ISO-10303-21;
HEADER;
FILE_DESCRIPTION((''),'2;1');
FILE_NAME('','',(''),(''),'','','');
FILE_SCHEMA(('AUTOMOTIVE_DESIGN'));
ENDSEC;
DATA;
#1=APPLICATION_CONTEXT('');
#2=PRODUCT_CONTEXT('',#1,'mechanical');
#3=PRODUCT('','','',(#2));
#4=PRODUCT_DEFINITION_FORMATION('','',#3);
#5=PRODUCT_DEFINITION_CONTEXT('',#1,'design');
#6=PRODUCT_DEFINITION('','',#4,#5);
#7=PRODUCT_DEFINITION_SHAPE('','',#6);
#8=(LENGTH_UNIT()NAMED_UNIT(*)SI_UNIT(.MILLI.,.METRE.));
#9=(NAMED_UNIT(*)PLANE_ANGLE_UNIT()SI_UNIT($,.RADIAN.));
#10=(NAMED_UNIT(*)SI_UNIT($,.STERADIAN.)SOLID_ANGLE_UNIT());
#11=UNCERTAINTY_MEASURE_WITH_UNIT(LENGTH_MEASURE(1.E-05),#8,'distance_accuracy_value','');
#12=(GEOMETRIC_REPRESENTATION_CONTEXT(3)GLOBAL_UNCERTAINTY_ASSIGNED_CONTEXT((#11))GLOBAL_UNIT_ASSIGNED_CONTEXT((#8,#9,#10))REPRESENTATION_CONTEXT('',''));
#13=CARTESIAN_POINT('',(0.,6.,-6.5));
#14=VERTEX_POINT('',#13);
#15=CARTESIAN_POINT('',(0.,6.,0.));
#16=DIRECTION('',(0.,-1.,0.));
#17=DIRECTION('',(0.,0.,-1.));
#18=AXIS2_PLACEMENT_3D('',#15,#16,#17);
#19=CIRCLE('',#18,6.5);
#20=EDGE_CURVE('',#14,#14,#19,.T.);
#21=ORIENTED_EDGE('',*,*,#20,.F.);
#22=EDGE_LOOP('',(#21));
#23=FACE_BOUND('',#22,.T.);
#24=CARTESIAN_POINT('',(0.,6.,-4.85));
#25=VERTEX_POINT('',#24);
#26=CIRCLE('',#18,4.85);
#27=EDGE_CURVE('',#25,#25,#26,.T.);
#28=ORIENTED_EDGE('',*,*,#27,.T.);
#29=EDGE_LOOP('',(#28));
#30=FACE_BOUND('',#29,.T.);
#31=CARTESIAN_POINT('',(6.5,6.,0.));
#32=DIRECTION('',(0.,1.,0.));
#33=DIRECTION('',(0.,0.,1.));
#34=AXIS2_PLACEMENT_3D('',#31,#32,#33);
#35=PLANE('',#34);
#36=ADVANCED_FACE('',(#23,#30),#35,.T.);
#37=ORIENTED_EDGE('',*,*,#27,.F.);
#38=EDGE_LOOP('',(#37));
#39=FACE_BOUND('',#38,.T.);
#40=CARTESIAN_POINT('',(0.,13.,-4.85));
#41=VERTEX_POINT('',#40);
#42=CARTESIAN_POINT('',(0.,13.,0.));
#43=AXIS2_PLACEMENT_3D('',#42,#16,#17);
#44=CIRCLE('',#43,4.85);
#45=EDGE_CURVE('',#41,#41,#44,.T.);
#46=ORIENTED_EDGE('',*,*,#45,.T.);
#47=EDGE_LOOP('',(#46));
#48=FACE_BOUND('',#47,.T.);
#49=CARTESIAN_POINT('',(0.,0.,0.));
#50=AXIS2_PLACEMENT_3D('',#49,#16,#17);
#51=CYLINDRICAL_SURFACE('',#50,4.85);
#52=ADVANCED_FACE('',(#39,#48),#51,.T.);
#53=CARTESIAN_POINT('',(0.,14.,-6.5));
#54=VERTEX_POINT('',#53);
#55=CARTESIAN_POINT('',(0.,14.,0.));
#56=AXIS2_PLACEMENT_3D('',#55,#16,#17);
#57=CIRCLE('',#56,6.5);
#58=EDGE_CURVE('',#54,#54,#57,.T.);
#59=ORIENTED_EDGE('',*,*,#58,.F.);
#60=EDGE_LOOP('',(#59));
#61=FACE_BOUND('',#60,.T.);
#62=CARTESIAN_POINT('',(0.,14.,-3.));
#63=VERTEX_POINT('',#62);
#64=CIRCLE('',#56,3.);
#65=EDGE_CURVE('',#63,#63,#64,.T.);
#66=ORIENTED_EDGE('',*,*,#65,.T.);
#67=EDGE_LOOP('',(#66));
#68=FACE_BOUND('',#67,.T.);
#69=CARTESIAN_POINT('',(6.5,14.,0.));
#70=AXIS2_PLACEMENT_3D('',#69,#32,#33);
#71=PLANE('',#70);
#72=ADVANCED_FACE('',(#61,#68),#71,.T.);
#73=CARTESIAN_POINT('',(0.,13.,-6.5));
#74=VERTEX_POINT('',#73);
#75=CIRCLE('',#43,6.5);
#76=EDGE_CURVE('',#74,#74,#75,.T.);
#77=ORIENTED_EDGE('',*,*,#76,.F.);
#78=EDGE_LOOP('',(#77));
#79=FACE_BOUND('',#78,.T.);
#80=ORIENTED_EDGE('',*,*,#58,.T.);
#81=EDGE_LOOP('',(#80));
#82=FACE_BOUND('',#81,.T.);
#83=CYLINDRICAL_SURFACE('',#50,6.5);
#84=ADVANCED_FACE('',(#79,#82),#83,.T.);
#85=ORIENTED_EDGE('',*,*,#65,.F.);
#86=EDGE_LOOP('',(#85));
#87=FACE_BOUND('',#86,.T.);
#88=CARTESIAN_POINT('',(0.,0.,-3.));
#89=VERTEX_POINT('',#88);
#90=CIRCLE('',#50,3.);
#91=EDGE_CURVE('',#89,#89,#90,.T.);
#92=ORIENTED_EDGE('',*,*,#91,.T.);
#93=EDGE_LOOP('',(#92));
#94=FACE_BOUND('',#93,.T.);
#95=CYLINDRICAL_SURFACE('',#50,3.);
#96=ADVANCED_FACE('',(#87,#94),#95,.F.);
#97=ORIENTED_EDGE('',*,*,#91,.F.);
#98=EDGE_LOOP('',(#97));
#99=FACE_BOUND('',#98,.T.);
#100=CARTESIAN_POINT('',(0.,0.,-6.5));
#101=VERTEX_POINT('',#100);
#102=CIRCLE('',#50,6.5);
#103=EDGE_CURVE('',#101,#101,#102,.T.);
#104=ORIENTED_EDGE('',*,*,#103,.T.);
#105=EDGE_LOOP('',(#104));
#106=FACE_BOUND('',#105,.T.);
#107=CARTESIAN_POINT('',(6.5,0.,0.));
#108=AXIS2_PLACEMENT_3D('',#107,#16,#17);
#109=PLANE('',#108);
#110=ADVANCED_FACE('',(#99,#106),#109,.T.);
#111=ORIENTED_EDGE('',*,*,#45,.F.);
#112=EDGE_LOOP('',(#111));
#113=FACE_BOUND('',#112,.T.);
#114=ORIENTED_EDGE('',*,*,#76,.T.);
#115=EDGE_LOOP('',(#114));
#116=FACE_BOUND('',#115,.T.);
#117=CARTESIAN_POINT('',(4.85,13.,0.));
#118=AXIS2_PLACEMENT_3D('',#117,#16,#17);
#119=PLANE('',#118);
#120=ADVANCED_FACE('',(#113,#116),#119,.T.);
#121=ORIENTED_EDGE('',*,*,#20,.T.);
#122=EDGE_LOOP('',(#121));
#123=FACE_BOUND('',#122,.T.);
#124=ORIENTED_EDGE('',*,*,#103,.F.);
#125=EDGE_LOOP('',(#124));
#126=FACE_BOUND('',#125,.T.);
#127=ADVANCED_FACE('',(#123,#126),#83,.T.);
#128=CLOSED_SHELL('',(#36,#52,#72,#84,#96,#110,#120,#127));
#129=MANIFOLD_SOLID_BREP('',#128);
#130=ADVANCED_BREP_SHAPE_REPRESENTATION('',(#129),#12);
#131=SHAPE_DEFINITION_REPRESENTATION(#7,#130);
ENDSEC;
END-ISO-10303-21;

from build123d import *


with BuildPart() as part:
    # Sketch1 → Revolve1 (revolve)
    with BuildSketch(Plane.XY, mode=Mode.PRIVATE) as revolve1_sk:
        Polygon((6.5, 0), (6.5, 6), (4.85, 6), (4.85, 13), (6.5, 13), (6.5, 14), (3, 14), (3, 0), align=None)
    revolve(revolve1_sk.sketch.rotate(Axis((0, 0, 0), (0, 1, 0)), 90), axis=Axis((0, 0, 0), (0, 1, 0)))


solid = part.part
